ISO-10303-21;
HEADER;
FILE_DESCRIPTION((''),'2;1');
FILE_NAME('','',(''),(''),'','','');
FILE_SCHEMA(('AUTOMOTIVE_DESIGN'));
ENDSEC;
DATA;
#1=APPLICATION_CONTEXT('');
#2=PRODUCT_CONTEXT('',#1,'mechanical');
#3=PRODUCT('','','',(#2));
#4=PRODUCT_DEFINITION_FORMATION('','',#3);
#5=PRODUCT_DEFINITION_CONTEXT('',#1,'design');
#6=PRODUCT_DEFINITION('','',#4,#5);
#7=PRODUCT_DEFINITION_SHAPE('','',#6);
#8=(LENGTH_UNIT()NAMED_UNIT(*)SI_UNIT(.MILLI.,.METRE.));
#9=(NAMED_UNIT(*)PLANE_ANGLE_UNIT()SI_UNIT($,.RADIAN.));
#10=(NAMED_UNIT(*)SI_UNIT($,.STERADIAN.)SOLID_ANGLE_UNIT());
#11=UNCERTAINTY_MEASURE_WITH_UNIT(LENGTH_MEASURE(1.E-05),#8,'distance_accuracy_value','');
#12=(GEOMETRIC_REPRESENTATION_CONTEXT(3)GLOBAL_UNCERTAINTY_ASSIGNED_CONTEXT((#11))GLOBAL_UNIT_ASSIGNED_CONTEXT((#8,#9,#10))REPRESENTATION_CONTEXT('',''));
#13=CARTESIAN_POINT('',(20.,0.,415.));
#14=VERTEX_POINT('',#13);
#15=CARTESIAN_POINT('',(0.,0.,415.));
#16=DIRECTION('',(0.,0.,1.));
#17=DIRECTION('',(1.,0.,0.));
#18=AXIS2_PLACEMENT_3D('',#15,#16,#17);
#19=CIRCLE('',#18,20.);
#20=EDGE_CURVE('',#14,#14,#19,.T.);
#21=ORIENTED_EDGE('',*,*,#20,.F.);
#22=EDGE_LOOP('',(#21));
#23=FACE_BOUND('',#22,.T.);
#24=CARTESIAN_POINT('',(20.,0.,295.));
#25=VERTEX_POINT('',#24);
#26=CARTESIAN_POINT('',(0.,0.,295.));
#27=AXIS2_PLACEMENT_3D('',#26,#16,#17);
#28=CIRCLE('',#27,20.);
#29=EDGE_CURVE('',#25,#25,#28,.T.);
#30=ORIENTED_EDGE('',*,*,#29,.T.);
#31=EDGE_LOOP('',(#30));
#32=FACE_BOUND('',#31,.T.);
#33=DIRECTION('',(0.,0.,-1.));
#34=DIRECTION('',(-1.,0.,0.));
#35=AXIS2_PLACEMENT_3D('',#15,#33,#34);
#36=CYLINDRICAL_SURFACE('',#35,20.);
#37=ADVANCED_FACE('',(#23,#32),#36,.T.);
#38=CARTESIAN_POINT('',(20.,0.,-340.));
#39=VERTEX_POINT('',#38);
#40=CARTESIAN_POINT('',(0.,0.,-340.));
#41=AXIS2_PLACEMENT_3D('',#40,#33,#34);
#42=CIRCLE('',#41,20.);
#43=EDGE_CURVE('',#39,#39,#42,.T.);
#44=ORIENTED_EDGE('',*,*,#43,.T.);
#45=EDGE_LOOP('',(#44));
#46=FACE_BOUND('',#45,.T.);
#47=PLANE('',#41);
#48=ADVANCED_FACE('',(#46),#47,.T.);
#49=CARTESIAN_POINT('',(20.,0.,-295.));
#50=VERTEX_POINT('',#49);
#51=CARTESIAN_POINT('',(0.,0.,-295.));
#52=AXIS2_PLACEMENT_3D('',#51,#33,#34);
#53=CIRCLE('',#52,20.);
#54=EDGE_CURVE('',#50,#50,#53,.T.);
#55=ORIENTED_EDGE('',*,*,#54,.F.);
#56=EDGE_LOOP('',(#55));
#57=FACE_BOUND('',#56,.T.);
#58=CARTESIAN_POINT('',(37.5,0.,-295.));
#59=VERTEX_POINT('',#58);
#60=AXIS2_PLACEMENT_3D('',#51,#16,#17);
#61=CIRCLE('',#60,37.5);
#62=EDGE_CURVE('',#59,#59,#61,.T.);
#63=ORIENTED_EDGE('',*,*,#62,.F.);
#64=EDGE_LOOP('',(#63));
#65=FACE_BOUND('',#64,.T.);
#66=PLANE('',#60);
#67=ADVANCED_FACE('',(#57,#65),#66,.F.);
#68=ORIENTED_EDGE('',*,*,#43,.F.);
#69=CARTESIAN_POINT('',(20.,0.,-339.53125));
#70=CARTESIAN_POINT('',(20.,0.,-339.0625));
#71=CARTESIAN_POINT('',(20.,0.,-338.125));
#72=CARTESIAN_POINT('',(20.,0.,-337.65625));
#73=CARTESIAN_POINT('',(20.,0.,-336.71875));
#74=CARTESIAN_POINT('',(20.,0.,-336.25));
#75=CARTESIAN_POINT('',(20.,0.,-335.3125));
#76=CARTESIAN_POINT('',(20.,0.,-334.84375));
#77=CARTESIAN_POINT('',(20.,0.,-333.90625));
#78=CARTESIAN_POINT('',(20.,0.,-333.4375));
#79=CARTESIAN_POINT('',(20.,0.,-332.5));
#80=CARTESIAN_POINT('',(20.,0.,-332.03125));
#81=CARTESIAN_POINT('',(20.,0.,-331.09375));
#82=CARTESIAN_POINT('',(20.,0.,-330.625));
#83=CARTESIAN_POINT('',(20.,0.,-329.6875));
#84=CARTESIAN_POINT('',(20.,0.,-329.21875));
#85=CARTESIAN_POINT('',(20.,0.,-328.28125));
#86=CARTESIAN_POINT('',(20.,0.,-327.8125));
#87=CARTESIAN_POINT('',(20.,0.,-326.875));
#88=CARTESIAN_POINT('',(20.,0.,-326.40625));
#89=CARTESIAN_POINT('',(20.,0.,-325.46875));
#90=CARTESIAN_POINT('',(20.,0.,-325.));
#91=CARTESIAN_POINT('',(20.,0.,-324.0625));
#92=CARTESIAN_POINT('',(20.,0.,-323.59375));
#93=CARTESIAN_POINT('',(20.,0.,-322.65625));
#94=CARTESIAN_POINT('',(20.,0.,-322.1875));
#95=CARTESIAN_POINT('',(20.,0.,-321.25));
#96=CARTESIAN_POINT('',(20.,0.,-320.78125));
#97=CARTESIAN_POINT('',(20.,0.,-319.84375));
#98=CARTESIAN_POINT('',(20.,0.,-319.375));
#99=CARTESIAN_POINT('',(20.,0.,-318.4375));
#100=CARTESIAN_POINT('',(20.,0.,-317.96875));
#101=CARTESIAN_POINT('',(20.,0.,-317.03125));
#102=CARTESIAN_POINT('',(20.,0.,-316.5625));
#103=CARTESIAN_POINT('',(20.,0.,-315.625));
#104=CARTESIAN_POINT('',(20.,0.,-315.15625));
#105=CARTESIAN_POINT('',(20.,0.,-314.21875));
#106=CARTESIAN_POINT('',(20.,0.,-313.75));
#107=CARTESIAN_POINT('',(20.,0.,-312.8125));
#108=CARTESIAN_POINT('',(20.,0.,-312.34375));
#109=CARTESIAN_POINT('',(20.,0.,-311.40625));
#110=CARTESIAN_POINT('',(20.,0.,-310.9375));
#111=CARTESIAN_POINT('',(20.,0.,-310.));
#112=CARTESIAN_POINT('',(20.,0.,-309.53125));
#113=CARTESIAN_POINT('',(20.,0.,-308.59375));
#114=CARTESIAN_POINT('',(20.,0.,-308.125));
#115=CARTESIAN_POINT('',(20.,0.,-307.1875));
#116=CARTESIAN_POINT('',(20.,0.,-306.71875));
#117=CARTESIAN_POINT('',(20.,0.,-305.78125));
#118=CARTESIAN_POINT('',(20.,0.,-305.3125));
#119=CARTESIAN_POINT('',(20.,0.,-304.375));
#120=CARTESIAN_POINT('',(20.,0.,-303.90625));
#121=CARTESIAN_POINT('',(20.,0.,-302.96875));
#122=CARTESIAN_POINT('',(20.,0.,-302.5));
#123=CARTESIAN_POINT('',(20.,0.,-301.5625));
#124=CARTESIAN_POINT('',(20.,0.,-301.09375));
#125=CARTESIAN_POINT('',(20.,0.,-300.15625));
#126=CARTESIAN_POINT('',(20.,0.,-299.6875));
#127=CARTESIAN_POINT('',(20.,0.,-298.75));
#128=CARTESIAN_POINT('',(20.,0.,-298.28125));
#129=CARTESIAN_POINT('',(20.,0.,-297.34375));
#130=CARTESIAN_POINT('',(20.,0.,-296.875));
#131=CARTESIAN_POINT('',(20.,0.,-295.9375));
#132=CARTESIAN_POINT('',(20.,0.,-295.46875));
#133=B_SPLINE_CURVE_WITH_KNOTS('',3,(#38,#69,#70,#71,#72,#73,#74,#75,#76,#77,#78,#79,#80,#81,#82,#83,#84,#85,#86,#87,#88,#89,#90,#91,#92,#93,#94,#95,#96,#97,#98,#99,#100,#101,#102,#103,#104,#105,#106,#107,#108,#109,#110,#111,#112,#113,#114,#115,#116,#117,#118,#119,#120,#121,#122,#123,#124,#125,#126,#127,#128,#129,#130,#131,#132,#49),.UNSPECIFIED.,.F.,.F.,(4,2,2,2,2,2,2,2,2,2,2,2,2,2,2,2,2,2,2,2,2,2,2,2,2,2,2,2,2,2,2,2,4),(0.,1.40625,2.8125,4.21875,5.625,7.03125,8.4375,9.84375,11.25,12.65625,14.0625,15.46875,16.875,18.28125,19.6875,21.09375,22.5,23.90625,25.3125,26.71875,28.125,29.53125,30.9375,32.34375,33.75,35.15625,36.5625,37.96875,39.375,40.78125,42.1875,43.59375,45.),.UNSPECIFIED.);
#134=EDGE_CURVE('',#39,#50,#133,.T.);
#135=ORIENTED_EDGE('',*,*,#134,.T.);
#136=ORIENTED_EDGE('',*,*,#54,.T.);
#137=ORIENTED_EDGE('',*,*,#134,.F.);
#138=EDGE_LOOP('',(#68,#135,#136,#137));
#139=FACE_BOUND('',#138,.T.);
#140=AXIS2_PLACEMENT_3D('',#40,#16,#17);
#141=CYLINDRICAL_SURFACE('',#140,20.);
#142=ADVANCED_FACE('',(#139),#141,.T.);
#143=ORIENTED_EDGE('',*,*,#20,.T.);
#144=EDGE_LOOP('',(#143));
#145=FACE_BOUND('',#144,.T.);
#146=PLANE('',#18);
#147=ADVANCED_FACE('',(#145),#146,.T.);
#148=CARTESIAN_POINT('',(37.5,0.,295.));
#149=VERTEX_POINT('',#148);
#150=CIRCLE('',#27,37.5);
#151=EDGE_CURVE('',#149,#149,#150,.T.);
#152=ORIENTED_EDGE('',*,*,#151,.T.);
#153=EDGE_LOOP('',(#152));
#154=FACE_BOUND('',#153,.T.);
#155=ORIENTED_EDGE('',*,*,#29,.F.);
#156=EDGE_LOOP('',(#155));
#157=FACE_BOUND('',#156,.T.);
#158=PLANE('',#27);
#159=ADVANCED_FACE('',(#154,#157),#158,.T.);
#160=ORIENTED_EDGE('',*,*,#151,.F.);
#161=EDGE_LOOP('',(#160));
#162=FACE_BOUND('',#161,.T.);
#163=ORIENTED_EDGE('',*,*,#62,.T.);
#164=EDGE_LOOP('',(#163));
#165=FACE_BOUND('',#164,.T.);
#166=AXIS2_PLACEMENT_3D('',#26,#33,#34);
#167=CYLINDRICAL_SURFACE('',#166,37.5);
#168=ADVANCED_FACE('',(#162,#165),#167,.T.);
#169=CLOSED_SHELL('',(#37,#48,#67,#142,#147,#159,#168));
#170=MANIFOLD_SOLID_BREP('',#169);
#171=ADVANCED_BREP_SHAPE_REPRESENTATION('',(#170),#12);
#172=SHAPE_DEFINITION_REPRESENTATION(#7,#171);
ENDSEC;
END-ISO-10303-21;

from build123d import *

# Parameters (mm, degrees)
SKETCH1_R           = 37.5
BOSS_EXTRUDE1_DEPTH = 295
SKETCH2_R           = 20
BOSS_EXTRUDE2_DEPTH = 120
BOSS_EXTRUDE3_START = 45
SKETCH3_R           = 20
BOSS_EXTRUDE3_DEPTH = 45


with BuildPart() as part:
    # Sketch1 → Boss-Extrude1 (new, symmetric)
    with BuildSketch(Plane.XY):
        Circle(SKETCH1_R)
    extrude(amount=BOSS_EXTRUDE1_DEPTH, both=True)

    # Sketch2 → Boss-Extrude2 (add)
    with BuildSketch(Plane.XY.offset(295)):
        Circle(SKETCH2_R)
    extrude(amount=BOSS_EXTRUDE2_DEPTH)

    # Sketch3 → Boss-Extrude3 (add)
    with BuildSketch(Plane(origin=(0, 0, -295), x_dir=(-1, 0, 0), z_dir=(0, 0, -1)).offset(BOSS_EXTRUDE3_START)):
        with Locations(Location((0, 0, 0), (0, 0, 180))):
            Circle(SKETCH3_R)
    extrude(amount=-BOSS_EXTRUDE3_DEPTH)


solid = part.part
